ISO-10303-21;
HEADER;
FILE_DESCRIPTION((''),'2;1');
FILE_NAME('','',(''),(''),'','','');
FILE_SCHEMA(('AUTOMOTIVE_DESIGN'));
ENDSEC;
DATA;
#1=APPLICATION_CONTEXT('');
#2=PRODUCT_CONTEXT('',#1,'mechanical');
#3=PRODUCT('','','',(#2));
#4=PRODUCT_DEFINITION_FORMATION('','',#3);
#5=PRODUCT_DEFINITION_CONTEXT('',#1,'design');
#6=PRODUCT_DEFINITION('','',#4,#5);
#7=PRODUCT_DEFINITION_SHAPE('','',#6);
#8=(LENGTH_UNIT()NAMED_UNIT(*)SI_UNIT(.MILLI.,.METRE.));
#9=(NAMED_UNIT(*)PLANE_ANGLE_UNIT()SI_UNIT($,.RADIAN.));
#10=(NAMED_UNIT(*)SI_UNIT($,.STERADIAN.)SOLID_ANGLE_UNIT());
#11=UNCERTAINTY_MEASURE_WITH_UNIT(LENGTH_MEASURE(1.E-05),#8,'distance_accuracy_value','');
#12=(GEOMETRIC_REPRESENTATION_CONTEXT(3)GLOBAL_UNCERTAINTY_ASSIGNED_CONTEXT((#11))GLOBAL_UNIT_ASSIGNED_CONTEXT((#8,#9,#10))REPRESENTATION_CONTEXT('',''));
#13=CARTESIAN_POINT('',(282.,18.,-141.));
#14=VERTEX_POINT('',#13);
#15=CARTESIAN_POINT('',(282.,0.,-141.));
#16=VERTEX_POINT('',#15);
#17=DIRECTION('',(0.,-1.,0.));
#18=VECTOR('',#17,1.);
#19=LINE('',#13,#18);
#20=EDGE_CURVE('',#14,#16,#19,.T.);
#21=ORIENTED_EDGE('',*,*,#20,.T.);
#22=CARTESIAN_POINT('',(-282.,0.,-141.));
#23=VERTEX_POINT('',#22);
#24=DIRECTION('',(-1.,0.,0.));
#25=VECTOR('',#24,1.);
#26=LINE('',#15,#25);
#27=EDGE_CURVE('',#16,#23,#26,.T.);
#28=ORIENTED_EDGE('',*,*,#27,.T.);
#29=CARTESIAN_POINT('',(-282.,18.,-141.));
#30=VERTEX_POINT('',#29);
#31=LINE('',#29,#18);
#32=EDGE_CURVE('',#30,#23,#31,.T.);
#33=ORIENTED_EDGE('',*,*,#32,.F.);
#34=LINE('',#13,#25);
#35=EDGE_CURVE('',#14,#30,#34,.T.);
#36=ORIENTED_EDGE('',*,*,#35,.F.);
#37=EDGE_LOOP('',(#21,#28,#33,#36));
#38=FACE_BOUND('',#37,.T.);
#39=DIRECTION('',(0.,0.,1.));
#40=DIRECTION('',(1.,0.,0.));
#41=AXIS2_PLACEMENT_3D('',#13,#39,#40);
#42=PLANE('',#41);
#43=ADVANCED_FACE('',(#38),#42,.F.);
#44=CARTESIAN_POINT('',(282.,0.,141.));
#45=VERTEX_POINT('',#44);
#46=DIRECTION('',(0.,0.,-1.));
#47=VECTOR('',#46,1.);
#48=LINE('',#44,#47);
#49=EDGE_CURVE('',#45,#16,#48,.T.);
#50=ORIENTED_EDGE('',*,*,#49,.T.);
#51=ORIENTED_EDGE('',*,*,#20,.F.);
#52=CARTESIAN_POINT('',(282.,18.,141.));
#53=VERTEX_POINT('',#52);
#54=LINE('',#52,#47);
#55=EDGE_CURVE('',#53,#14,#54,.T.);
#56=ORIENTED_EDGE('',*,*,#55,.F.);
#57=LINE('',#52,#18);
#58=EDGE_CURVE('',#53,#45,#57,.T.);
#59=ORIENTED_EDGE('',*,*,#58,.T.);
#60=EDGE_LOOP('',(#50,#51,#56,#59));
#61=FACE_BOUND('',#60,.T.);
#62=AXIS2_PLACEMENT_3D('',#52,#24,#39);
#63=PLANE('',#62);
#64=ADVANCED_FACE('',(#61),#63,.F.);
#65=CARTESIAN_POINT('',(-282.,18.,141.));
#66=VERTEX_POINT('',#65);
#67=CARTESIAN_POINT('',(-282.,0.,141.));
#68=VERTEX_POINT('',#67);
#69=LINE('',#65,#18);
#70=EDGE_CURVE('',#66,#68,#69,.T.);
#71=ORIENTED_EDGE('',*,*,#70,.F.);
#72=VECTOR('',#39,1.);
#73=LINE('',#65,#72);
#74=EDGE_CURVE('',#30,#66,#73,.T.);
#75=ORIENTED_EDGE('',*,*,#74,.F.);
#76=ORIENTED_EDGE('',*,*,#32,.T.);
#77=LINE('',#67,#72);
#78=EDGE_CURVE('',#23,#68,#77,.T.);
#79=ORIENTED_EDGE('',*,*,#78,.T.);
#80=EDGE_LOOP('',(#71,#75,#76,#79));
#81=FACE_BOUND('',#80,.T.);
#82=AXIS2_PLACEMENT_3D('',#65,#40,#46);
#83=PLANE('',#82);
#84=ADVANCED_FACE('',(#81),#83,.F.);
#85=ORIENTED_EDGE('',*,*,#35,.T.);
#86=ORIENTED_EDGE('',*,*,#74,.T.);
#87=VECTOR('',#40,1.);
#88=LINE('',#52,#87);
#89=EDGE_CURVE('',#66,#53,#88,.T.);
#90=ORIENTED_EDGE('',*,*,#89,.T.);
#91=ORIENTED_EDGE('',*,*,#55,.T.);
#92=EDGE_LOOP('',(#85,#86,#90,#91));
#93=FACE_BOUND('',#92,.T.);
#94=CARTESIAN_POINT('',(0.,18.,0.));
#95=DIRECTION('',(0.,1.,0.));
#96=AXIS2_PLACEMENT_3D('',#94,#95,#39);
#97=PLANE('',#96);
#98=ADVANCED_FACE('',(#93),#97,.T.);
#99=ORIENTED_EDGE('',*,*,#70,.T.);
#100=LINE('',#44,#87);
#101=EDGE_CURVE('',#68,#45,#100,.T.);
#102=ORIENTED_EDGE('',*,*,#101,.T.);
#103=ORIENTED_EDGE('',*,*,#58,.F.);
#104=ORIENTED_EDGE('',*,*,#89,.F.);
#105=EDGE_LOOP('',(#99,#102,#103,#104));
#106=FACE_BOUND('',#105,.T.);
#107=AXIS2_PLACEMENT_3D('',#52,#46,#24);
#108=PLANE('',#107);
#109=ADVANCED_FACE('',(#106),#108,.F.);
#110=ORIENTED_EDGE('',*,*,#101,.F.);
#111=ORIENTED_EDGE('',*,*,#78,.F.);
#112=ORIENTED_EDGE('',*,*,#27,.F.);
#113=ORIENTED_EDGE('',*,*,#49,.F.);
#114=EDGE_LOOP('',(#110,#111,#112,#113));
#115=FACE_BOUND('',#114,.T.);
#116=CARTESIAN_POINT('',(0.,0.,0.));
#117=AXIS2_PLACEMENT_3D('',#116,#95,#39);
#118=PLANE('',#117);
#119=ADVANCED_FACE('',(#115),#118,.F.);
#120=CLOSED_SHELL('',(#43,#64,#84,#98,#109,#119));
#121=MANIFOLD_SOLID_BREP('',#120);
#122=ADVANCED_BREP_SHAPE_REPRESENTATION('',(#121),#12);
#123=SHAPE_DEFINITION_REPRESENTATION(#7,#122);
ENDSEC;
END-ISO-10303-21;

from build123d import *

# Parameters (mm, degrees)
SKETCH_1_W      = 564
SKETCH_1_H      = 282
EXTRUDE_1_DEPTH = 18


with BuildPart() as part:
    # Эскиз1 → Бобышка-Вытянуть1 (new body)
    with BuildSketch(Plane(origin=(0, 0, 0), x_dir=(1, 0, 0), z_dir=(0, 1, 0))):
        Rectangle(SKETCH_1_W, SKETCH_1_H)
    extrude(amount=EXTRUDE_1_DEPTH)


solid = part.part
